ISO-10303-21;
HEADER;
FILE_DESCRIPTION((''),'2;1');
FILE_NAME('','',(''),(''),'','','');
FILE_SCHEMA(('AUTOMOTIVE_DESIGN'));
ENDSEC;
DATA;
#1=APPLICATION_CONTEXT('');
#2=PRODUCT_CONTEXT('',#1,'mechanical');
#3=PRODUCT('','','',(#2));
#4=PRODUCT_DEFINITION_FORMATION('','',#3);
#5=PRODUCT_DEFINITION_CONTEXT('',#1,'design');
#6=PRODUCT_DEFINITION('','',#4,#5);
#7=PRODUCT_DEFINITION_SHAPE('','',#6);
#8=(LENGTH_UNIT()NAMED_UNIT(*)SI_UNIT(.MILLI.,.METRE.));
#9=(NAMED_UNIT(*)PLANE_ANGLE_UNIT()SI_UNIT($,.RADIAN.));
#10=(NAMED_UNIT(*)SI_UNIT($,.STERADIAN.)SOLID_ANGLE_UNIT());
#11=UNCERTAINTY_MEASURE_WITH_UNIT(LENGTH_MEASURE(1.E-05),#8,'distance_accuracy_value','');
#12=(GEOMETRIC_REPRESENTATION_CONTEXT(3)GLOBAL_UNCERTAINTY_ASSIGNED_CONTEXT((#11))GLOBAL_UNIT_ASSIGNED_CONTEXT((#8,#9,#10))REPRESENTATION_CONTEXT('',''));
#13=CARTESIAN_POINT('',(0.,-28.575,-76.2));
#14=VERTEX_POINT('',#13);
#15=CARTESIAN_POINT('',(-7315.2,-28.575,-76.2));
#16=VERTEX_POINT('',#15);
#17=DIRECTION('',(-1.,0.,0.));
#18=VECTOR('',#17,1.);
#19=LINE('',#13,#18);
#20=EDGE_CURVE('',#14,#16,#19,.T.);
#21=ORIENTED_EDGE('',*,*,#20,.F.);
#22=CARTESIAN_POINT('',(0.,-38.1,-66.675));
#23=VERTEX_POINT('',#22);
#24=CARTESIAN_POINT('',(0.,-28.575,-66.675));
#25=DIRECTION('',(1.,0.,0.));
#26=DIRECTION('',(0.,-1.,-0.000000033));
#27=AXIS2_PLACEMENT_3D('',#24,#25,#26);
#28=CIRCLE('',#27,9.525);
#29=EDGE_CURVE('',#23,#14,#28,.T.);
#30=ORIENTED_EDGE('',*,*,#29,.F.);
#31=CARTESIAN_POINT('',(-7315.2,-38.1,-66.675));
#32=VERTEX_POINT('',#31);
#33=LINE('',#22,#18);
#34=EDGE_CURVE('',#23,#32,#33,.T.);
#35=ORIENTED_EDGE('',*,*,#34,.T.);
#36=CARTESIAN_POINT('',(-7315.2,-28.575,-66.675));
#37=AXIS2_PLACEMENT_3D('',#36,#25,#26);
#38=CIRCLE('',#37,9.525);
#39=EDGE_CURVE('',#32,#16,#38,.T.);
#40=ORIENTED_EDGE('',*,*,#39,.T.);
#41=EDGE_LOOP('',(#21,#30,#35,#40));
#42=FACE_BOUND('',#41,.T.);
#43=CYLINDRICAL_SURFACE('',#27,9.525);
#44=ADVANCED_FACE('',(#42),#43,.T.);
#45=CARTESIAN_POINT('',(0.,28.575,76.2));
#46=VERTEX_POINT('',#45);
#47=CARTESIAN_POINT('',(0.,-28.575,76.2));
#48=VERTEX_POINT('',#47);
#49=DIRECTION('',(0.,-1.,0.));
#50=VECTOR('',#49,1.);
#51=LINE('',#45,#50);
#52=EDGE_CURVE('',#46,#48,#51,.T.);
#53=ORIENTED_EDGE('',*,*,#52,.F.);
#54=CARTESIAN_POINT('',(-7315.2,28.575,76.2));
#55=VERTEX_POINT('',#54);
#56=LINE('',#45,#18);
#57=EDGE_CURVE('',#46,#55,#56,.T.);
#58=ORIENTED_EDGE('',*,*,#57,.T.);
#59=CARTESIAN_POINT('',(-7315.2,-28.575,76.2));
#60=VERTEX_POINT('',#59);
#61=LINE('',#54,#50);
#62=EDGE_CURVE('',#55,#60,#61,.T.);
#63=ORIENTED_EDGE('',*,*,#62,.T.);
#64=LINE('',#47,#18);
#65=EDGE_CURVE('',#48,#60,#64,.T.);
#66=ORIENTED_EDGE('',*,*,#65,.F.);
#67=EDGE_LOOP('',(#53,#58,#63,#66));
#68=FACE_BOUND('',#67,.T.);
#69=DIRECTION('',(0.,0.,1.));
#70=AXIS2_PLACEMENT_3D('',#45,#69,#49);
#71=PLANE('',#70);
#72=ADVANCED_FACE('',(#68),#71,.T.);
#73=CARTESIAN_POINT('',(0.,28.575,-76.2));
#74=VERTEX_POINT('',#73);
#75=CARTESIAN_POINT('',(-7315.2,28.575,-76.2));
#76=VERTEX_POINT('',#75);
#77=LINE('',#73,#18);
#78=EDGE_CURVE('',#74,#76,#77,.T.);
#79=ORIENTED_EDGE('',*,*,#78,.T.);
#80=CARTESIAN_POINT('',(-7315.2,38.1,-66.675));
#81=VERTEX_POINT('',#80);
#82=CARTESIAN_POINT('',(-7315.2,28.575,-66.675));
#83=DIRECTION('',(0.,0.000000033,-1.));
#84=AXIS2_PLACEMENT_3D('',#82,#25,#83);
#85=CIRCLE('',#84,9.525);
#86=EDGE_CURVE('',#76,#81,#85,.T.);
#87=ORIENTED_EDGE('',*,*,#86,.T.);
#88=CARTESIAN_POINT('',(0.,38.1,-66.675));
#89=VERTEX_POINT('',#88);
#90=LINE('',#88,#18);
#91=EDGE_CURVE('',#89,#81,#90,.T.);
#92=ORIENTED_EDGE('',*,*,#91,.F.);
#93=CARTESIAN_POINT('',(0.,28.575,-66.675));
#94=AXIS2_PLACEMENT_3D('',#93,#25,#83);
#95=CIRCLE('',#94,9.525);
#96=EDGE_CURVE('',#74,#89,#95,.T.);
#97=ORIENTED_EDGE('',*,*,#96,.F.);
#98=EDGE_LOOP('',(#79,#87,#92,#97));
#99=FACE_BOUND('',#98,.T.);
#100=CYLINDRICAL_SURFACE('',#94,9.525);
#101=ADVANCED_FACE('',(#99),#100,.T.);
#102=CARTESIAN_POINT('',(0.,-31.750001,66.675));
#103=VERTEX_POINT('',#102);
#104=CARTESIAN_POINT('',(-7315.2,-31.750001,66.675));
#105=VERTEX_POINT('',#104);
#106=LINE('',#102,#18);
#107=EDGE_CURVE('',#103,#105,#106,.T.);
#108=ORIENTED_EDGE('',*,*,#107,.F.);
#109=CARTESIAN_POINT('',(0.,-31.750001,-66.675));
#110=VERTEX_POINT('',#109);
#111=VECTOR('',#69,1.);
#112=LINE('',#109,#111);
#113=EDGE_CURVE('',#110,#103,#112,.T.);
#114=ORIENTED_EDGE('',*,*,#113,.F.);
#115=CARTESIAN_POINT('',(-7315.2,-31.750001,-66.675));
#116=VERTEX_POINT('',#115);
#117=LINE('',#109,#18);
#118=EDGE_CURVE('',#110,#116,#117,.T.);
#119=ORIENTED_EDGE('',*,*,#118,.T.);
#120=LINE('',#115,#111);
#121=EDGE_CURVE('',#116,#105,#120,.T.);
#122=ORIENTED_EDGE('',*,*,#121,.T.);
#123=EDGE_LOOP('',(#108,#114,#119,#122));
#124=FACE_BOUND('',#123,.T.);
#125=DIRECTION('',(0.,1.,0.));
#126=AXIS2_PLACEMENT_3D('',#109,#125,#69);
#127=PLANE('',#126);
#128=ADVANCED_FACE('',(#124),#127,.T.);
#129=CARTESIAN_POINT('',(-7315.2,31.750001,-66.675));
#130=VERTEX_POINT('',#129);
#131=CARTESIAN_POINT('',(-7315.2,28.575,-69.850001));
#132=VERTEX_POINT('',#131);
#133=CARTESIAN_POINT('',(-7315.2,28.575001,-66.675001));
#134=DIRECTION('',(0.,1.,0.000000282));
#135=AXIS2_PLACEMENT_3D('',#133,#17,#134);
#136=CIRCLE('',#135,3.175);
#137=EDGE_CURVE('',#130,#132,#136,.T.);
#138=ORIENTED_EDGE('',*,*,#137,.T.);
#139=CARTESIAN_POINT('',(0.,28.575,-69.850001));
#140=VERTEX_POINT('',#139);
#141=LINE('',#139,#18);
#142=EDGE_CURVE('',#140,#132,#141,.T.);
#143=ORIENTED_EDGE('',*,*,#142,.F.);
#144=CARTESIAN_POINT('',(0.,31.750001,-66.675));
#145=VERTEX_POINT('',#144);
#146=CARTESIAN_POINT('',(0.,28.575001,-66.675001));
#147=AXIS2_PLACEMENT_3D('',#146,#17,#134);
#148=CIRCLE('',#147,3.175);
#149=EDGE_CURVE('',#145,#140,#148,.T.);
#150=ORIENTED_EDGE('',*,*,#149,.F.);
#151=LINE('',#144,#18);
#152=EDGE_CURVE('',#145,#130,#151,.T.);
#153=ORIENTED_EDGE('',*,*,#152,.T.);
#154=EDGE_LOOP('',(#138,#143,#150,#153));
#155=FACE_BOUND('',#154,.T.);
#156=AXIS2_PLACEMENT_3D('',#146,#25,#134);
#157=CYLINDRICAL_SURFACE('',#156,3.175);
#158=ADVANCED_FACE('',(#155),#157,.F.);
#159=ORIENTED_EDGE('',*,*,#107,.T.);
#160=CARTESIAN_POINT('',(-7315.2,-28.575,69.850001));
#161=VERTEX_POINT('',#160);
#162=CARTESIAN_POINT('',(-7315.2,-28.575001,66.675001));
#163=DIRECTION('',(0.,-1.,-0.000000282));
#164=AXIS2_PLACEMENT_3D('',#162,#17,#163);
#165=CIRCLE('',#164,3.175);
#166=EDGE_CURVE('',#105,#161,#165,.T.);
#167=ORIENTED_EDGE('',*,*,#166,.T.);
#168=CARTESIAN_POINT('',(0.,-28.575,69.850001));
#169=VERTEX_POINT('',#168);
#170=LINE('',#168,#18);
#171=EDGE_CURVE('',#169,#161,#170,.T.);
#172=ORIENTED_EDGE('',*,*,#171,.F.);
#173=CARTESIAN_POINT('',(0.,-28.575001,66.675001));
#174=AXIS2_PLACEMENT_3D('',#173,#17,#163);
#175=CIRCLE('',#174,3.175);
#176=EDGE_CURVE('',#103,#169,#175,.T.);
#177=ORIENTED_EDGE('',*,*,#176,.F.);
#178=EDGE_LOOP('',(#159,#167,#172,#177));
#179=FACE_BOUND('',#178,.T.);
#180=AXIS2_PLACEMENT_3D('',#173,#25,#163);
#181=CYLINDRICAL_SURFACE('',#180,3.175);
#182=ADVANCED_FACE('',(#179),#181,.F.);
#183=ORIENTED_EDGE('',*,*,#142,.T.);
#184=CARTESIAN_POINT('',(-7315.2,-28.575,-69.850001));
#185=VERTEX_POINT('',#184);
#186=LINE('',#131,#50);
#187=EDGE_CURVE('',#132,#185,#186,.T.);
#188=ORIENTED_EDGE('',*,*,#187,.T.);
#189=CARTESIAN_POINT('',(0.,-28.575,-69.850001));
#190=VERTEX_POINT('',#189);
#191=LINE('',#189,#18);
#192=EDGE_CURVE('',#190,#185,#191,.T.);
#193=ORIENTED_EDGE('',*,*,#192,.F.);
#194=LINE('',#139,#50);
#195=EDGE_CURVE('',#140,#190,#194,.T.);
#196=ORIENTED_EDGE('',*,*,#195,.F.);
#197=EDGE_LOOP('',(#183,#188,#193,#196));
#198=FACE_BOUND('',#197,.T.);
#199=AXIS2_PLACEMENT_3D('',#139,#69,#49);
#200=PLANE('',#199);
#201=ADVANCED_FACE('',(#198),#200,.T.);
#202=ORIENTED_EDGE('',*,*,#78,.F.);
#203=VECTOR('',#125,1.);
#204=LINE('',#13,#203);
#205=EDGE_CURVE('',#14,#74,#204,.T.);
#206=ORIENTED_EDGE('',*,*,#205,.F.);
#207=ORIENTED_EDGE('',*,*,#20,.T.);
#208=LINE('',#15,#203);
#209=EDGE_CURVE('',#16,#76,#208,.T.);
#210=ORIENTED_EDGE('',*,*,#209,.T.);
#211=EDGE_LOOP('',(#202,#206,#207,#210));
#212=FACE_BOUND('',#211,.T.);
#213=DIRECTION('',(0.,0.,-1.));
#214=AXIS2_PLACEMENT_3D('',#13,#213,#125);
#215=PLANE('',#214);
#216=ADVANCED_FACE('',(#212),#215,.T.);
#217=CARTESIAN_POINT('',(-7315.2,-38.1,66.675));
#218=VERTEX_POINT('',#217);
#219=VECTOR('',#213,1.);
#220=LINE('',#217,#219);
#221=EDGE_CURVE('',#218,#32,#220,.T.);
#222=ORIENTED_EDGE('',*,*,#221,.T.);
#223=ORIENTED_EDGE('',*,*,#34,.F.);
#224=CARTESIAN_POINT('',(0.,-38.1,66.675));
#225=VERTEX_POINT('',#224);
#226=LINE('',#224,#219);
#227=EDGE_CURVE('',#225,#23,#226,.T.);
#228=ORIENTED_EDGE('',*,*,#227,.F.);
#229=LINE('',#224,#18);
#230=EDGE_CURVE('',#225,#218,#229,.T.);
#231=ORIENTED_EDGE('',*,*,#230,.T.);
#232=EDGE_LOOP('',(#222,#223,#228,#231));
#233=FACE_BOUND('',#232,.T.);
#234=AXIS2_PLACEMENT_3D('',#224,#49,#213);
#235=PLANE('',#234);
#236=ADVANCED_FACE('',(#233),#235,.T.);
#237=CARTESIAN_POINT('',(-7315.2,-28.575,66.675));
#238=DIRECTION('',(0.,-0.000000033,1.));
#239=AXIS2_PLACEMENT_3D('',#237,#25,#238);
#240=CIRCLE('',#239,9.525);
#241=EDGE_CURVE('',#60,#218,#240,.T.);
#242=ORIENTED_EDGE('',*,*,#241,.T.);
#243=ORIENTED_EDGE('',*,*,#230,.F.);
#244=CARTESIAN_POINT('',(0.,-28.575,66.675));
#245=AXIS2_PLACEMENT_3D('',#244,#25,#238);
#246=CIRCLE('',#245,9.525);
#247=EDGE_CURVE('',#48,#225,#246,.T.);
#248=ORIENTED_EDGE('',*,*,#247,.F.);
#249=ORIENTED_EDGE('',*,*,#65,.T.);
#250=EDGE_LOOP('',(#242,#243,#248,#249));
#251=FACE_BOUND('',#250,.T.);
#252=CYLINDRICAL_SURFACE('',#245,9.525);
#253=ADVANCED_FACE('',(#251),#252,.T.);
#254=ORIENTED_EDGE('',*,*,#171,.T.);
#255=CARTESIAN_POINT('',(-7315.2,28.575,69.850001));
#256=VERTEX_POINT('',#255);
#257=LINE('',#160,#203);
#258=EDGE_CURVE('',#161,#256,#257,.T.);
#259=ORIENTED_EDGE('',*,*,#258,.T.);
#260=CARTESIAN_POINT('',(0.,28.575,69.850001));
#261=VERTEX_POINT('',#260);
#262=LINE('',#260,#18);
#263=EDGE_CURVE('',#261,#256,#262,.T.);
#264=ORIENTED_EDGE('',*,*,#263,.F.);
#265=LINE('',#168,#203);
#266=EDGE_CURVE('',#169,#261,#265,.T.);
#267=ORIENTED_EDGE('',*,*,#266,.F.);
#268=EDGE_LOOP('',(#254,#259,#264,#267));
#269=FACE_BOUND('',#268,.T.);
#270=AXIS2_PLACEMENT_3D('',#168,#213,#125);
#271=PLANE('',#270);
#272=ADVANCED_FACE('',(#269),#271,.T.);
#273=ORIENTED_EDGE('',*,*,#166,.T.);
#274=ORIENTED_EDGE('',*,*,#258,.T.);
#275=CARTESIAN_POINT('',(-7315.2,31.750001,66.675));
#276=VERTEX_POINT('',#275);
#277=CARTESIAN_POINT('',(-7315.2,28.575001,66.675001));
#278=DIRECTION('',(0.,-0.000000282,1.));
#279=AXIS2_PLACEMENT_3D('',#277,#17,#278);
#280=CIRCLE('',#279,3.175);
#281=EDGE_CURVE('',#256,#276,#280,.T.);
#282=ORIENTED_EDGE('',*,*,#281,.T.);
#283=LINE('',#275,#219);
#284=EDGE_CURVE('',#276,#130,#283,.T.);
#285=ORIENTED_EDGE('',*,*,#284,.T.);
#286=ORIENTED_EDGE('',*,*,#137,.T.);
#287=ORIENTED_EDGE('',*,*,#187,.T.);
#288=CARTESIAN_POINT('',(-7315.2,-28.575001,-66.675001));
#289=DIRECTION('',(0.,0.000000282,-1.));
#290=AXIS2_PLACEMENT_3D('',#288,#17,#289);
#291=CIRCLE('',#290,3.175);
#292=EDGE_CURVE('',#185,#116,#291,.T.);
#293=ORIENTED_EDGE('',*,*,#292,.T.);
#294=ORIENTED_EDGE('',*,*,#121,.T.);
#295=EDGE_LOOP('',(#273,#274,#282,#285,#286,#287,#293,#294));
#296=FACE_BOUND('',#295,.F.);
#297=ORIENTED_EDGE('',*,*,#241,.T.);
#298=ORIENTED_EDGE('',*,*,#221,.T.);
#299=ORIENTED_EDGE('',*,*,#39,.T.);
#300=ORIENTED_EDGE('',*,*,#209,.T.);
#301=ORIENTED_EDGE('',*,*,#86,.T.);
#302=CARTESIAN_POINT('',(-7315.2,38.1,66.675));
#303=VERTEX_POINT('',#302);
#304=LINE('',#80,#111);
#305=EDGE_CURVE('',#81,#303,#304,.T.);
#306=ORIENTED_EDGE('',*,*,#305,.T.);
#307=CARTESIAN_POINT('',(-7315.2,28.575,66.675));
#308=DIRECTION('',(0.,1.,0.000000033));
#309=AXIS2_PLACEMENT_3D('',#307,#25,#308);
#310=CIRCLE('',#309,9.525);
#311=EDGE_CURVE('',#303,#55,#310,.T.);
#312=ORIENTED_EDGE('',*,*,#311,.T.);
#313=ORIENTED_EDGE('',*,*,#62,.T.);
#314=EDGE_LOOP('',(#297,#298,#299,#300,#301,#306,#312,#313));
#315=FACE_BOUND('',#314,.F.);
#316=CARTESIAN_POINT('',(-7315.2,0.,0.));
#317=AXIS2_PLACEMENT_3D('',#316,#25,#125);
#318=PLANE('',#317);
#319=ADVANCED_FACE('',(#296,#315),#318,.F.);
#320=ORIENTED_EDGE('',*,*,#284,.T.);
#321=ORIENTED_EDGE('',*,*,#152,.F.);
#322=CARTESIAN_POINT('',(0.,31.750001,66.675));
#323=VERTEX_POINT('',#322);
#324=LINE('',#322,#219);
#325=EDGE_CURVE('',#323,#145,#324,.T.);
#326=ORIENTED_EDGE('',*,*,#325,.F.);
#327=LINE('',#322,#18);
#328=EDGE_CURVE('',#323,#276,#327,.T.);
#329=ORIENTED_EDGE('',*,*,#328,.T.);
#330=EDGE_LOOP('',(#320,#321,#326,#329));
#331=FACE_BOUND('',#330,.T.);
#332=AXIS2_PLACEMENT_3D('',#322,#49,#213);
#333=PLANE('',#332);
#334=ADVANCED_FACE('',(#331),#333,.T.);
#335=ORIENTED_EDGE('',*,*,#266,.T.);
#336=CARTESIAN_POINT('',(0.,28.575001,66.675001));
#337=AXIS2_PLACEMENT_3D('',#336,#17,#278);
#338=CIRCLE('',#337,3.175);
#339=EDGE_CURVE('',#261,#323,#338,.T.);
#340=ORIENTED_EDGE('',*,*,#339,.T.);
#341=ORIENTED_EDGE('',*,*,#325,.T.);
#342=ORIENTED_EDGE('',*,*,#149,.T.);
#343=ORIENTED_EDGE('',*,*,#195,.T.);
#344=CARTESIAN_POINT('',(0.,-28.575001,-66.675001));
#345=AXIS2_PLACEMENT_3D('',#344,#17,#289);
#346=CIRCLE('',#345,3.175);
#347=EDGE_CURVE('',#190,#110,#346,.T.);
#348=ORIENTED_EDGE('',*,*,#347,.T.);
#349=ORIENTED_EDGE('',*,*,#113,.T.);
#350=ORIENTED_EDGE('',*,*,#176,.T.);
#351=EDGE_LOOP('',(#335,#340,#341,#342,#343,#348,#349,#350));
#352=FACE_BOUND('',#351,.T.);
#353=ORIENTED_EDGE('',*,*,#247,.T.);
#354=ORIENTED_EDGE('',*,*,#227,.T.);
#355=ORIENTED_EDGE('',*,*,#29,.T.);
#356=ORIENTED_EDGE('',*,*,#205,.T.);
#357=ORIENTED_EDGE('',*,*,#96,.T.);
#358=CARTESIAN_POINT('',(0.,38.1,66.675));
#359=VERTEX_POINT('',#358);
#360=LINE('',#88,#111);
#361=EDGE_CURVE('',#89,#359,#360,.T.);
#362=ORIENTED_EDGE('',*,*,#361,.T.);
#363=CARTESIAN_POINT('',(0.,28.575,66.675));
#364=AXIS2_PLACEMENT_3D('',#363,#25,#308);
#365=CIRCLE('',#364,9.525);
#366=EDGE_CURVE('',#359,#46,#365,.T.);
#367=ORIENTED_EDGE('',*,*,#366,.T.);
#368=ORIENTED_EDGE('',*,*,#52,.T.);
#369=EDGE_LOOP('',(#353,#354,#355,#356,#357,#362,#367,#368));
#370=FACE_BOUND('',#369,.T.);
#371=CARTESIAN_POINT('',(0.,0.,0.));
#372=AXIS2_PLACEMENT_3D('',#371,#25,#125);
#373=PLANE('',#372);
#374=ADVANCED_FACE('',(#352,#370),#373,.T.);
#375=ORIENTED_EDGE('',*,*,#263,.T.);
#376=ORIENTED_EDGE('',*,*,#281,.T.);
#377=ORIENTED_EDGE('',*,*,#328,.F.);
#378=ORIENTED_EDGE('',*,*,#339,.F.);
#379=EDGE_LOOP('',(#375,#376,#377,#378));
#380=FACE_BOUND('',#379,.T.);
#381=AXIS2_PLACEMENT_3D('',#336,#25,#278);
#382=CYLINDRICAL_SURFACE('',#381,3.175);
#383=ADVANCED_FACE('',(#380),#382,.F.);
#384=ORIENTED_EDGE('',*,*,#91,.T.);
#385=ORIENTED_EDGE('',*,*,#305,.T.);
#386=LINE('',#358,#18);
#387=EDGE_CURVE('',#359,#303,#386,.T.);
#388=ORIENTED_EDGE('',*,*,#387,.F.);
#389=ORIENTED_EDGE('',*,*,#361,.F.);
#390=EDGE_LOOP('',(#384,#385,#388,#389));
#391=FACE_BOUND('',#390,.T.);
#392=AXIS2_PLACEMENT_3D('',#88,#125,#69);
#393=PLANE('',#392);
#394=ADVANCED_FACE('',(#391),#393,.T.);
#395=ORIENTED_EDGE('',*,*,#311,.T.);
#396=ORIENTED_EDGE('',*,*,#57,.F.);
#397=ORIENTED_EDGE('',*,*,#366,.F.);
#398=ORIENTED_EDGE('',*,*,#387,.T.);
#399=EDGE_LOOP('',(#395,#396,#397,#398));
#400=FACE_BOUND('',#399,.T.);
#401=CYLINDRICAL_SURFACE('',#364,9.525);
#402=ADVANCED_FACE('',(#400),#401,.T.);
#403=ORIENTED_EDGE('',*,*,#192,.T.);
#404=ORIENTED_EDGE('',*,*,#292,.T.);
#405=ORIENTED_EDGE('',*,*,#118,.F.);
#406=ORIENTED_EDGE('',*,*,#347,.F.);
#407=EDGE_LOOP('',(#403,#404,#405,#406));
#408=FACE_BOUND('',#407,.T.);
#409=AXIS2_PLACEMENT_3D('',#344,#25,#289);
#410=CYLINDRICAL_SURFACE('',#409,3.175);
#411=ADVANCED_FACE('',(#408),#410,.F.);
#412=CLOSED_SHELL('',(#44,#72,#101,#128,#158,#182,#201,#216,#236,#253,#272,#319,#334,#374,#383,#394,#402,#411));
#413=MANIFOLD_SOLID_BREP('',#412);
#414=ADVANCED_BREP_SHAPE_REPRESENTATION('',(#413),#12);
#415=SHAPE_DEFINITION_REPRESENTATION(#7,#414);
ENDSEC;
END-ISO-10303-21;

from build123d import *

# Parameters (mm, degrees)
F1_DEPTH = 7315.2


with BuildPart() as f1:
    # F0 (on Right) → F1 (new body)
    with BuildSketch(Plane.YZ):
        with BuildLine():
            ThreePointArc((38.1, 66.675), (35.310192, 73.410192), (28.575, 76.2))
            Line((28.575, 76.2), (-28.575, 76.2))
            ThreePointArc((-28.575, 76.2), (-35.310192, 73.410192), (-38.1, 66.675))
            Line((-38.1, 66.675), (-38.1, -66.675))
            ThreePointArc((-38.1, -66.675), (-35.310192, -73.410192), (-28.575, -76.2))
            Line((-28.575, -76.2), (28.575, -76.2))
            ThreePointArc((28.575, -76.2), (35.310192, -73.410192), (38.1, -66.675))
            Line((38.1, -66.675), (38.1, 66.675))
        make_face()
        with BuildLine():
            ThreePointArc((-31.750001, 66.675), (-30.820065, 68.920065), (-28.575, 69.850001))
            Line((-28.575, 69.850001), (28.575, 69.850001))
            ThreePointArc((28.575, 69.850001), (30.820065, 68.920065), (31.750001, 66.675))
            Line((31.750001, 66.675), (31.750001, -66.675))
            ThreePointArc((31.750001, -66.675), (30.820065, -68.920065), (28.575, -69.850001))
            Line((28.575, -69.850001), (-28.575, -69.850001))
            ThreePointArc((-28.575, -69.850001), (-30.820065, -68.920065), (-31.750001, -66.675))
            Line((-31.750001, -66.675), (-31.750001, 66.675))
        make_face(mode=Mode.SUBTRACT)
    extrude(amount=-F1_DEPTH)


solid = f1.part
